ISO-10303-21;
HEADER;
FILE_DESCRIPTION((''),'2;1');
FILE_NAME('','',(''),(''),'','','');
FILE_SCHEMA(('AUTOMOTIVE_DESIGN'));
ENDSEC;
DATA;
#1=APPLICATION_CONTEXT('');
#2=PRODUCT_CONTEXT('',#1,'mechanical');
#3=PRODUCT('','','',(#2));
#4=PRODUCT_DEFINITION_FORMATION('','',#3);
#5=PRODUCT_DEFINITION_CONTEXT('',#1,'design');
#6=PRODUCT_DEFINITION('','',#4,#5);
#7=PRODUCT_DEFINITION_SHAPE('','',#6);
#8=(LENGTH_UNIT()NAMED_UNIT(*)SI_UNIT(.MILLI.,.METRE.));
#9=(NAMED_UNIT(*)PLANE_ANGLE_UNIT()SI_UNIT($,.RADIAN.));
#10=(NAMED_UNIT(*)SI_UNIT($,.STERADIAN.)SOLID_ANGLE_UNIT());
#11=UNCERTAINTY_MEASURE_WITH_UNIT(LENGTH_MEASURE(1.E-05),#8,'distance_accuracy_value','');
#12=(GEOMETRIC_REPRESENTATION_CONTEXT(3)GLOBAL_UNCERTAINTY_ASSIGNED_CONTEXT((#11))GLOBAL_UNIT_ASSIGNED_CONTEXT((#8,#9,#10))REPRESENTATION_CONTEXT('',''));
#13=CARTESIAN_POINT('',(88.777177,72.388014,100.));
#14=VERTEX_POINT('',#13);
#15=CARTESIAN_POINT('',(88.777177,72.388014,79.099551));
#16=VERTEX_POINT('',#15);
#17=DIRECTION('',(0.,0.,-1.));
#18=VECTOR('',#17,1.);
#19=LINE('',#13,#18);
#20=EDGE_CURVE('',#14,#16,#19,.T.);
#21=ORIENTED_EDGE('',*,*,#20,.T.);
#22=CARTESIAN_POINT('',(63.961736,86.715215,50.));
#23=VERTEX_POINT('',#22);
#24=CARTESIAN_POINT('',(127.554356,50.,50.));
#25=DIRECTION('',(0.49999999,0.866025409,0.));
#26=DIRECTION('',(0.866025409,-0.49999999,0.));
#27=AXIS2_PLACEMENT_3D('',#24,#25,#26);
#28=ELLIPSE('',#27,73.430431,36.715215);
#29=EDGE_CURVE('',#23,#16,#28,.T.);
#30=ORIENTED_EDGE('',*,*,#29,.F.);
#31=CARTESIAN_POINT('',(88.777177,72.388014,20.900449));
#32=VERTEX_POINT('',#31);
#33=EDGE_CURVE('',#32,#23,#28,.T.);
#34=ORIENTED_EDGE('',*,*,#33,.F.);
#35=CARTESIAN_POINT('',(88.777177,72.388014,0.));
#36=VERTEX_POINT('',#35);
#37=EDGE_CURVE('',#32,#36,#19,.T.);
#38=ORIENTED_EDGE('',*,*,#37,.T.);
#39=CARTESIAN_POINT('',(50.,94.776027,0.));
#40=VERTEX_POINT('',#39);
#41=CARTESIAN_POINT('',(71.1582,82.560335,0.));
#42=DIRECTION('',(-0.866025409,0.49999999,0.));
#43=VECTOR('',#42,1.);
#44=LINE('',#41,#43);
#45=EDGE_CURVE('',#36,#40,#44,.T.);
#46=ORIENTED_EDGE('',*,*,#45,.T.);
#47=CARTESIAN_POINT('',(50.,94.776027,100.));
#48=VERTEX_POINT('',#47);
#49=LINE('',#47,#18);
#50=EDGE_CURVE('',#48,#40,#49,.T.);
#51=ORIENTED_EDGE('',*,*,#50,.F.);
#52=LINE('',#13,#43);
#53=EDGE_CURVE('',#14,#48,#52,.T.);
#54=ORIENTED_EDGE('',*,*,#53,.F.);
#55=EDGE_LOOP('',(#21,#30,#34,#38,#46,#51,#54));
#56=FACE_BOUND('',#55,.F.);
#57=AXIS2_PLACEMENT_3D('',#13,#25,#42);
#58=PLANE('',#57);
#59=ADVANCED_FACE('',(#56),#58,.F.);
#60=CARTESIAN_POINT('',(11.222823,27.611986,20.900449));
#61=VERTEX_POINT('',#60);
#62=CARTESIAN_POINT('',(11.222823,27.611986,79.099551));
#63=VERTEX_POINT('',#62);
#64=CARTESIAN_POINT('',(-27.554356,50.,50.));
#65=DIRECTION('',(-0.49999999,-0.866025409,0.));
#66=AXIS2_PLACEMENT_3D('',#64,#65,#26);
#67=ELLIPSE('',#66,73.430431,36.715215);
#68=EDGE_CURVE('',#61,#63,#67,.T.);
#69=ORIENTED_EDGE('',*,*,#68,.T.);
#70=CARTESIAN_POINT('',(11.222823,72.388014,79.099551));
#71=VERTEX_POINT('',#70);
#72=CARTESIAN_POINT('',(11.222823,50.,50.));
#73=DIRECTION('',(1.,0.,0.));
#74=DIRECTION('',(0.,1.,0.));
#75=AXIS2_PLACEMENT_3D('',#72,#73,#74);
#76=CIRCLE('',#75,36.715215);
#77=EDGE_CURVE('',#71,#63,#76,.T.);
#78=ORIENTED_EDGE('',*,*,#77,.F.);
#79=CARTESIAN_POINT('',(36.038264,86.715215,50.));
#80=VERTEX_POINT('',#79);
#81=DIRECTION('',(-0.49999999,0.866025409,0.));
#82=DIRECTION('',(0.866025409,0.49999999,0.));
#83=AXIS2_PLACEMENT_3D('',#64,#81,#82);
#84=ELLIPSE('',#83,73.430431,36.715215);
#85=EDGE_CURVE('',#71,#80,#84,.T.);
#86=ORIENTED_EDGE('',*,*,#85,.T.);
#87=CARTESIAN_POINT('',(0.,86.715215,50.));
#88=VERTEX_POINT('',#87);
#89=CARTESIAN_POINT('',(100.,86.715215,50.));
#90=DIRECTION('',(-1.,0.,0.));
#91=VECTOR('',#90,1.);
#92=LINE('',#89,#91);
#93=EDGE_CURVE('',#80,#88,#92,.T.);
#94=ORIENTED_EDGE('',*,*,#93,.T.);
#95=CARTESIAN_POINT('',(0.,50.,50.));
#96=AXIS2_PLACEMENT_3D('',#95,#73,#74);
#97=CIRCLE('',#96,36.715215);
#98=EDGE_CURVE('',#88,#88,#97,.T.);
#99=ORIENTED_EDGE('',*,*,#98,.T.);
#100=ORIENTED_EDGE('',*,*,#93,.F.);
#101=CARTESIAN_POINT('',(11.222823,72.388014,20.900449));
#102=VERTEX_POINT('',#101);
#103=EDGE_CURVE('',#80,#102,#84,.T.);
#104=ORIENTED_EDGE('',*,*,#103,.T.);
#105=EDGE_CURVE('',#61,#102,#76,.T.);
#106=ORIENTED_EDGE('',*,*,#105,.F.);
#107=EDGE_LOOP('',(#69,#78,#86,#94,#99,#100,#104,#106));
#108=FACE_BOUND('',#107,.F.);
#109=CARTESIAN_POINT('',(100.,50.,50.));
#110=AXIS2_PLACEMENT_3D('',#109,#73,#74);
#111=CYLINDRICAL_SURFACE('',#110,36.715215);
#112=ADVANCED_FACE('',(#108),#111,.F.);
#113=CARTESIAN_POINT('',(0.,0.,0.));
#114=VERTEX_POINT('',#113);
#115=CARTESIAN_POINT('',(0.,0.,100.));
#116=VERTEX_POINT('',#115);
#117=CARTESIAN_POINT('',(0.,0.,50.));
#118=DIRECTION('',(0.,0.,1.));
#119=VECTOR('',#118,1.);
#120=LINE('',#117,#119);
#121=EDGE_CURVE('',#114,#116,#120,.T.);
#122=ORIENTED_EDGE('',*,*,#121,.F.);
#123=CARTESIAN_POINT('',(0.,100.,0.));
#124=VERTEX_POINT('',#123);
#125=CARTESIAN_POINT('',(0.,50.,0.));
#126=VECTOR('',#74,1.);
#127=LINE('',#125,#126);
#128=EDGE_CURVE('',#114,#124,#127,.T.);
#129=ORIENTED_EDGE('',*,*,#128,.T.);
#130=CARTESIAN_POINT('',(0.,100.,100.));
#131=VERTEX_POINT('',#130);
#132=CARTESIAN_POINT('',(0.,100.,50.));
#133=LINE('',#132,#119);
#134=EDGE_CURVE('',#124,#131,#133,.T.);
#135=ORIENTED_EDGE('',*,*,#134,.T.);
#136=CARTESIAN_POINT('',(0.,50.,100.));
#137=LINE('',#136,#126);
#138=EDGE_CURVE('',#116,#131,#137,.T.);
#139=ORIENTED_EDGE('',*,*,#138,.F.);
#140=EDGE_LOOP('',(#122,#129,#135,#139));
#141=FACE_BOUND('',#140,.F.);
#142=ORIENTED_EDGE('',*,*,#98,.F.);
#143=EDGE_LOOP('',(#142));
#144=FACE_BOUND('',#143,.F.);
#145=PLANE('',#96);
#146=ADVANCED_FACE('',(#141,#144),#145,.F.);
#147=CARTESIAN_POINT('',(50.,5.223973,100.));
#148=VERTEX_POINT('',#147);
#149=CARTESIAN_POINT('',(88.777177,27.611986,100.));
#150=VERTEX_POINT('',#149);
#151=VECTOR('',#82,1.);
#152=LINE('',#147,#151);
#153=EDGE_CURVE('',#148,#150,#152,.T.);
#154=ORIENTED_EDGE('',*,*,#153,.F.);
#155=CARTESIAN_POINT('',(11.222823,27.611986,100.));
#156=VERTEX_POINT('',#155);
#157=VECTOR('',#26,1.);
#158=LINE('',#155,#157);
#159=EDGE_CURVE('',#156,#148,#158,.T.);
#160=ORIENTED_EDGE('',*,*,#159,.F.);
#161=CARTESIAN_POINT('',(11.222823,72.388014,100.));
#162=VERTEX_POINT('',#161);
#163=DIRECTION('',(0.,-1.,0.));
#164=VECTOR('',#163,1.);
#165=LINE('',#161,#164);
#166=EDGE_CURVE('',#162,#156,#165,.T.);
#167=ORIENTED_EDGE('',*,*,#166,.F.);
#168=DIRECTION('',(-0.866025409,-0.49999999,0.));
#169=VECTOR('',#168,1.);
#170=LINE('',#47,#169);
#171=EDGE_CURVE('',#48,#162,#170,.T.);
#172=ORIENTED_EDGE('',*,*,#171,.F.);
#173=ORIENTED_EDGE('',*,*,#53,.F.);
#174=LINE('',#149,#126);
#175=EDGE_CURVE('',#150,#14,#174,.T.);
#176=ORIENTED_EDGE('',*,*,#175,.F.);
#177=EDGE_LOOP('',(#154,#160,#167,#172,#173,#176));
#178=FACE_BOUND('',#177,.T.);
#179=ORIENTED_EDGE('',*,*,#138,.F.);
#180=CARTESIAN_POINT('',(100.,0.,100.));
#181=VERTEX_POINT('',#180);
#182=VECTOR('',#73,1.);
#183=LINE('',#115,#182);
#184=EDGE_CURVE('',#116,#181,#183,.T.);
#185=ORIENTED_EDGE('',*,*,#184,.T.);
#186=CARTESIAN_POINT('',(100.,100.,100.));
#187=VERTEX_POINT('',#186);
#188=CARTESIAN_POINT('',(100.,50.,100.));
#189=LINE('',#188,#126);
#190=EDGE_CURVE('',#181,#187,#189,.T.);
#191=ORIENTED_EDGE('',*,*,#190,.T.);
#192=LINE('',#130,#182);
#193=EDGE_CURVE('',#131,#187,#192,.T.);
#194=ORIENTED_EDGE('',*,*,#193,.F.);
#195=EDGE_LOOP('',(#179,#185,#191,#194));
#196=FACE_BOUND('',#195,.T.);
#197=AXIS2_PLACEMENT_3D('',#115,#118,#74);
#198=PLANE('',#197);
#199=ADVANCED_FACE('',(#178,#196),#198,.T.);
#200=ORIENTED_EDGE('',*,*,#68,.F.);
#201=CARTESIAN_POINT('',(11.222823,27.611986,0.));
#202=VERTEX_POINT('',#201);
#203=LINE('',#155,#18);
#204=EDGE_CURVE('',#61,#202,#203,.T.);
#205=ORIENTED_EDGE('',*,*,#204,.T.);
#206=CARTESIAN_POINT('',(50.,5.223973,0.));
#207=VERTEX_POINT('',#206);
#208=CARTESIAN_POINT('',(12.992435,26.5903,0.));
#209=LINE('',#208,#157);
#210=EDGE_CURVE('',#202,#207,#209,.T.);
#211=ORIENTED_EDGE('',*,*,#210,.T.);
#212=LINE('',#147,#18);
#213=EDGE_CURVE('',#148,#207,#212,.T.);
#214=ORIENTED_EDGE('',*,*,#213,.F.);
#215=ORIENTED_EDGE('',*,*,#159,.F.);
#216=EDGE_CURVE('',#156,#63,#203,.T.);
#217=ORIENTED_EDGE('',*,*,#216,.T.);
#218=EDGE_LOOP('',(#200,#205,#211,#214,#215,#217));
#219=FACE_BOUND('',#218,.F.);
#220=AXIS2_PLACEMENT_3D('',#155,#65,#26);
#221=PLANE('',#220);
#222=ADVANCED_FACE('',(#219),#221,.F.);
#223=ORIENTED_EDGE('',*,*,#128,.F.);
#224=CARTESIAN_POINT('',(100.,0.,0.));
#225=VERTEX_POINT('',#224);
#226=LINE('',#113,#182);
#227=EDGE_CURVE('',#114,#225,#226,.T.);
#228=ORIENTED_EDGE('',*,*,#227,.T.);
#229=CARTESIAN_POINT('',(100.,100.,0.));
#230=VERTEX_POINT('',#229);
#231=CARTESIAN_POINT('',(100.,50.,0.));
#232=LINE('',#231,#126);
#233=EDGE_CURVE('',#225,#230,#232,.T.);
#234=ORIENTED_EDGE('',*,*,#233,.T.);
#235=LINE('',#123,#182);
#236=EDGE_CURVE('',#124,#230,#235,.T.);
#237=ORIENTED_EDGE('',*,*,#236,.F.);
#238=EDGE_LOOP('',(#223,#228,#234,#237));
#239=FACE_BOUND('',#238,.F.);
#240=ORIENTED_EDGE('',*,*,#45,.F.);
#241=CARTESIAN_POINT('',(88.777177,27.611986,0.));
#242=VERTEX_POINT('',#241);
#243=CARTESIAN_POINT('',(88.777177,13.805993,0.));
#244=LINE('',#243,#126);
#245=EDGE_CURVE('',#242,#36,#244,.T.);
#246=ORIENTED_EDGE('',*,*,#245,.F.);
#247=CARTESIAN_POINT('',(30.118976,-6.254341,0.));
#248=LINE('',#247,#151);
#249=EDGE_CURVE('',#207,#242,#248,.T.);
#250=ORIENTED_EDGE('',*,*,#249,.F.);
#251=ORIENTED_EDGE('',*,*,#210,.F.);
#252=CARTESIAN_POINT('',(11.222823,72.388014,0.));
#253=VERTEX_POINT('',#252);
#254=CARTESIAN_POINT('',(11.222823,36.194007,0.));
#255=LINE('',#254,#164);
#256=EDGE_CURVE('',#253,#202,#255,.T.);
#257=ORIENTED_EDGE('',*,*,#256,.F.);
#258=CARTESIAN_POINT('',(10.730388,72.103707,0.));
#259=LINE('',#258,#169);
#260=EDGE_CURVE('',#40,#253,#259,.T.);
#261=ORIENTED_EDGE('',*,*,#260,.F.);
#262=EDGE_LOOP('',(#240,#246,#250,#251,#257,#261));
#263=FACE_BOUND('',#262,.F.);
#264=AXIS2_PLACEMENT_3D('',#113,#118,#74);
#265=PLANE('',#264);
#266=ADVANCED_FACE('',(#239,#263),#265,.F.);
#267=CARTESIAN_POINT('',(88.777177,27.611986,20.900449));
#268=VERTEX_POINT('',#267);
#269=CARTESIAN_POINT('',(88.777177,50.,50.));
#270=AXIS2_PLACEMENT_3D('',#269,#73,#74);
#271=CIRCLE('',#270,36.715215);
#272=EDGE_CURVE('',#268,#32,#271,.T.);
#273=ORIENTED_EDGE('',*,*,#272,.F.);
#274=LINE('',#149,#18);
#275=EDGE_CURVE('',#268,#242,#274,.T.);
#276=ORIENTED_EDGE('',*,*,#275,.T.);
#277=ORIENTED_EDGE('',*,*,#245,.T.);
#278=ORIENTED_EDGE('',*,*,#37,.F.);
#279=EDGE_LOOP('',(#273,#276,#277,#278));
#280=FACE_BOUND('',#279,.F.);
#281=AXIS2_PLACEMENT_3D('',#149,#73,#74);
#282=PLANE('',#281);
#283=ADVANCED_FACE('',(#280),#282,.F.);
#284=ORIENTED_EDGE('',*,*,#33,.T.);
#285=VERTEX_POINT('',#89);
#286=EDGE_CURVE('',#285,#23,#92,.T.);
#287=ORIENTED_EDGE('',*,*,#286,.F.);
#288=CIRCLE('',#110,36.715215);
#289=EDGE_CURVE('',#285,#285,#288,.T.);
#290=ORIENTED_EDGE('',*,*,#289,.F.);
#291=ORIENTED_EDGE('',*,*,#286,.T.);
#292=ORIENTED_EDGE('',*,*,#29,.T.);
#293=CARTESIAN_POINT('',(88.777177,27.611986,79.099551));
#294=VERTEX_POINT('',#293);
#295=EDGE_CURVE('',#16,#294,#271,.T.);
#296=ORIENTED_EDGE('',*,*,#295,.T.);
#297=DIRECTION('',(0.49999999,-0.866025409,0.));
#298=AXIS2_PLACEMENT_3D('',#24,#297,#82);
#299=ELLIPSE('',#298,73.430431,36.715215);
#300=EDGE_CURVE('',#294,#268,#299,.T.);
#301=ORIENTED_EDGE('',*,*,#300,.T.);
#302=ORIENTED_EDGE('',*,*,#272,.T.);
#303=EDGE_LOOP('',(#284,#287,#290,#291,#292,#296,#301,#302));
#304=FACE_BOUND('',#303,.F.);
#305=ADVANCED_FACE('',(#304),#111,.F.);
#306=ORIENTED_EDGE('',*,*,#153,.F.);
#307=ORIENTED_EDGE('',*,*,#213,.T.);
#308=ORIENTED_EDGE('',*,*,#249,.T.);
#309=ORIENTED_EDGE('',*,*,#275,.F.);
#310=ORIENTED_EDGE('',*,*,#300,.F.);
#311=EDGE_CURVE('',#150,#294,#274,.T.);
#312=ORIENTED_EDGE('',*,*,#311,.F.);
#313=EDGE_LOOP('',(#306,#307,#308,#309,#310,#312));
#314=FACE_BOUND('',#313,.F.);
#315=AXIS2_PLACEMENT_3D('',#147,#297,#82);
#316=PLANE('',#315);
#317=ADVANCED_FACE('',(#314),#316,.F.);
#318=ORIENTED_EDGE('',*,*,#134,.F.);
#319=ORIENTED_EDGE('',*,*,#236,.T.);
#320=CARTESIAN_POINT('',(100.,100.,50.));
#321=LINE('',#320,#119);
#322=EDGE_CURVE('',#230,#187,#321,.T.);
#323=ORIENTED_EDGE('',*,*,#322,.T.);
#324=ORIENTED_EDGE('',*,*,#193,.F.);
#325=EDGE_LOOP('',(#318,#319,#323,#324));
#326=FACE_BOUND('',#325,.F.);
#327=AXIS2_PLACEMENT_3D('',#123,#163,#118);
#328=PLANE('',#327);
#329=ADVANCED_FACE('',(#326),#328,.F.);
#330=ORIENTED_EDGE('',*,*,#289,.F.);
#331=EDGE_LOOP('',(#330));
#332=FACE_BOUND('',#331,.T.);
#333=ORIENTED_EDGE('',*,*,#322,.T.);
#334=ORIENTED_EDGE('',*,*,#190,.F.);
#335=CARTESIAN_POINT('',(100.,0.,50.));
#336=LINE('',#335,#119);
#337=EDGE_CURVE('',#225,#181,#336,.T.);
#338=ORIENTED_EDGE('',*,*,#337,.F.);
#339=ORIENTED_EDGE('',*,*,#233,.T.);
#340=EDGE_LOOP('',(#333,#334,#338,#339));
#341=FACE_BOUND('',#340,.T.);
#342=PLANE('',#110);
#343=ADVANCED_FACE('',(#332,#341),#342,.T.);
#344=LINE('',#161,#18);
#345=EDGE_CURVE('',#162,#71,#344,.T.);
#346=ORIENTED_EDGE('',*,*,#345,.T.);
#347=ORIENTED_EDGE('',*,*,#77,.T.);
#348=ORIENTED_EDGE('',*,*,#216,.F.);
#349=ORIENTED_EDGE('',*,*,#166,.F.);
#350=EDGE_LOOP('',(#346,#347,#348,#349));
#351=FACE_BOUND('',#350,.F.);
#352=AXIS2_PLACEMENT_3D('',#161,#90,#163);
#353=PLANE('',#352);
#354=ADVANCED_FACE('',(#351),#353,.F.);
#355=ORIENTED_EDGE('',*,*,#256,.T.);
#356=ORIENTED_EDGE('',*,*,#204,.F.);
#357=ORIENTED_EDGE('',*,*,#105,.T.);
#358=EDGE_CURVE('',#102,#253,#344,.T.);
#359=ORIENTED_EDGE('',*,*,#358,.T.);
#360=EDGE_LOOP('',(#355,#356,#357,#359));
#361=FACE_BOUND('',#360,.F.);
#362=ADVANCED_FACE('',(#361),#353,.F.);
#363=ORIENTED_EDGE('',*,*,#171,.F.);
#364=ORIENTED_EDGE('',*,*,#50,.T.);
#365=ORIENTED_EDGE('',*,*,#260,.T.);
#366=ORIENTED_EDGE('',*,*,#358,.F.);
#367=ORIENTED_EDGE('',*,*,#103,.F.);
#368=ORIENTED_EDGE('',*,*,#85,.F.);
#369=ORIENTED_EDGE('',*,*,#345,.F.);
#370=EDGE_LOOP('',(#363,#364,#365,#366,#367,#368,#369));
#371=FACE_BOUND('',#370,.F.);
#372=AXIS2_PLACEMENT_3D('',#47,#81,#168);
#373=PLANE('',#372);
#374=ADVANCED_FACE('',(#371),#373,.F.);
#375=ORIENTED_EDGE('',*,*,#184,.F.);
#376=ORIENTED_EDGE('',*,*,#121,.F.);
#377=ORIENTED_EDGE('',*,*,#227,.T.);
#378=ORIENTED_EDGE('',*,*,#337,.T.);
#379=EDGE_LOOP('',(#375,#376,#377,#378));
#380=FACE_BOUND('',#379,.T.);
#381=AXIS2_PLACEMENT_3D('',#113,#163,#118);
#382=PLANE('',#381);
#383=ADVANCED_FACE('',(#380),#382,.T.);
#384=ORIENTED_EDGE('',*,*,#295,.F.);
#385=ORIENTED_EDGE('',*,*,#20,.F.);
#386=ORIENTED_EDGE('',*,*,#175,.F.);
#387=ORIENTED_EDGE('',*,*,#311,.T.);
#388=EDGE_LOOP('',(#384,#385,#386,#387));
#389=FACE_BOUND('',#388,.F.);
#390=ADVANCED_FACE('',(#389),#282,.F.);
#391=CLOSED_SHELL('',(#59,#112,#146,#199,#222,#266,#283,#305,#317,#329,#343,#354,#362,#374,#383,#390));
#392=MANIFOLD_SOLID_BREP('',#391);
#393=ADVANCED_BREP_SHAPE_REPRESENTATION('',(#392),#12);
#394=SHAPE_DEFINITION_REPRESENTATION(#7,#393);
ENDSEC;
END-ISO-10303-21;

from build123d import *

# Parameters (mm, degrees)
F0_W     = 100
F0_H     = 100
F1_DEPTH = 100
F2_R     = 36.715215
F3_DEPTH = 100
F5_DEPTH = 100.001


with BuildPart() as f1:
    # F0 (on Right) → F1 (new body)
    with BuildSketch(Plane.YZ):
        with Locations((50, 50)):
            Rectangle(F0_W, F0_H)
    extrude(amount=F1_DEPTH)

    # F2 (on face) → F3 (cut, through all)
    with BuildSketch(Plane.YZ.offset(100)):
        with Locations((50, 50)):
            Circle(F2_R)
    extrude(amount=-F3_DEPTH, mode=Mode.SUBTRACT)

    # F4 (on face) → F5 (cut, through all)
    with BuildSketch(Plane.XY.offset(100)):
        Polygon((88.777177, 27.611986), (88.777177, 72.388014), (50, 94.776027), (11.222823, 72.388014), (11.222823, 27.611986), (50, 5.223973), align=None)
    extrude(amount=-F5_DEPTH, mode=Mode.SUBTRACT)


solid = f1.part
